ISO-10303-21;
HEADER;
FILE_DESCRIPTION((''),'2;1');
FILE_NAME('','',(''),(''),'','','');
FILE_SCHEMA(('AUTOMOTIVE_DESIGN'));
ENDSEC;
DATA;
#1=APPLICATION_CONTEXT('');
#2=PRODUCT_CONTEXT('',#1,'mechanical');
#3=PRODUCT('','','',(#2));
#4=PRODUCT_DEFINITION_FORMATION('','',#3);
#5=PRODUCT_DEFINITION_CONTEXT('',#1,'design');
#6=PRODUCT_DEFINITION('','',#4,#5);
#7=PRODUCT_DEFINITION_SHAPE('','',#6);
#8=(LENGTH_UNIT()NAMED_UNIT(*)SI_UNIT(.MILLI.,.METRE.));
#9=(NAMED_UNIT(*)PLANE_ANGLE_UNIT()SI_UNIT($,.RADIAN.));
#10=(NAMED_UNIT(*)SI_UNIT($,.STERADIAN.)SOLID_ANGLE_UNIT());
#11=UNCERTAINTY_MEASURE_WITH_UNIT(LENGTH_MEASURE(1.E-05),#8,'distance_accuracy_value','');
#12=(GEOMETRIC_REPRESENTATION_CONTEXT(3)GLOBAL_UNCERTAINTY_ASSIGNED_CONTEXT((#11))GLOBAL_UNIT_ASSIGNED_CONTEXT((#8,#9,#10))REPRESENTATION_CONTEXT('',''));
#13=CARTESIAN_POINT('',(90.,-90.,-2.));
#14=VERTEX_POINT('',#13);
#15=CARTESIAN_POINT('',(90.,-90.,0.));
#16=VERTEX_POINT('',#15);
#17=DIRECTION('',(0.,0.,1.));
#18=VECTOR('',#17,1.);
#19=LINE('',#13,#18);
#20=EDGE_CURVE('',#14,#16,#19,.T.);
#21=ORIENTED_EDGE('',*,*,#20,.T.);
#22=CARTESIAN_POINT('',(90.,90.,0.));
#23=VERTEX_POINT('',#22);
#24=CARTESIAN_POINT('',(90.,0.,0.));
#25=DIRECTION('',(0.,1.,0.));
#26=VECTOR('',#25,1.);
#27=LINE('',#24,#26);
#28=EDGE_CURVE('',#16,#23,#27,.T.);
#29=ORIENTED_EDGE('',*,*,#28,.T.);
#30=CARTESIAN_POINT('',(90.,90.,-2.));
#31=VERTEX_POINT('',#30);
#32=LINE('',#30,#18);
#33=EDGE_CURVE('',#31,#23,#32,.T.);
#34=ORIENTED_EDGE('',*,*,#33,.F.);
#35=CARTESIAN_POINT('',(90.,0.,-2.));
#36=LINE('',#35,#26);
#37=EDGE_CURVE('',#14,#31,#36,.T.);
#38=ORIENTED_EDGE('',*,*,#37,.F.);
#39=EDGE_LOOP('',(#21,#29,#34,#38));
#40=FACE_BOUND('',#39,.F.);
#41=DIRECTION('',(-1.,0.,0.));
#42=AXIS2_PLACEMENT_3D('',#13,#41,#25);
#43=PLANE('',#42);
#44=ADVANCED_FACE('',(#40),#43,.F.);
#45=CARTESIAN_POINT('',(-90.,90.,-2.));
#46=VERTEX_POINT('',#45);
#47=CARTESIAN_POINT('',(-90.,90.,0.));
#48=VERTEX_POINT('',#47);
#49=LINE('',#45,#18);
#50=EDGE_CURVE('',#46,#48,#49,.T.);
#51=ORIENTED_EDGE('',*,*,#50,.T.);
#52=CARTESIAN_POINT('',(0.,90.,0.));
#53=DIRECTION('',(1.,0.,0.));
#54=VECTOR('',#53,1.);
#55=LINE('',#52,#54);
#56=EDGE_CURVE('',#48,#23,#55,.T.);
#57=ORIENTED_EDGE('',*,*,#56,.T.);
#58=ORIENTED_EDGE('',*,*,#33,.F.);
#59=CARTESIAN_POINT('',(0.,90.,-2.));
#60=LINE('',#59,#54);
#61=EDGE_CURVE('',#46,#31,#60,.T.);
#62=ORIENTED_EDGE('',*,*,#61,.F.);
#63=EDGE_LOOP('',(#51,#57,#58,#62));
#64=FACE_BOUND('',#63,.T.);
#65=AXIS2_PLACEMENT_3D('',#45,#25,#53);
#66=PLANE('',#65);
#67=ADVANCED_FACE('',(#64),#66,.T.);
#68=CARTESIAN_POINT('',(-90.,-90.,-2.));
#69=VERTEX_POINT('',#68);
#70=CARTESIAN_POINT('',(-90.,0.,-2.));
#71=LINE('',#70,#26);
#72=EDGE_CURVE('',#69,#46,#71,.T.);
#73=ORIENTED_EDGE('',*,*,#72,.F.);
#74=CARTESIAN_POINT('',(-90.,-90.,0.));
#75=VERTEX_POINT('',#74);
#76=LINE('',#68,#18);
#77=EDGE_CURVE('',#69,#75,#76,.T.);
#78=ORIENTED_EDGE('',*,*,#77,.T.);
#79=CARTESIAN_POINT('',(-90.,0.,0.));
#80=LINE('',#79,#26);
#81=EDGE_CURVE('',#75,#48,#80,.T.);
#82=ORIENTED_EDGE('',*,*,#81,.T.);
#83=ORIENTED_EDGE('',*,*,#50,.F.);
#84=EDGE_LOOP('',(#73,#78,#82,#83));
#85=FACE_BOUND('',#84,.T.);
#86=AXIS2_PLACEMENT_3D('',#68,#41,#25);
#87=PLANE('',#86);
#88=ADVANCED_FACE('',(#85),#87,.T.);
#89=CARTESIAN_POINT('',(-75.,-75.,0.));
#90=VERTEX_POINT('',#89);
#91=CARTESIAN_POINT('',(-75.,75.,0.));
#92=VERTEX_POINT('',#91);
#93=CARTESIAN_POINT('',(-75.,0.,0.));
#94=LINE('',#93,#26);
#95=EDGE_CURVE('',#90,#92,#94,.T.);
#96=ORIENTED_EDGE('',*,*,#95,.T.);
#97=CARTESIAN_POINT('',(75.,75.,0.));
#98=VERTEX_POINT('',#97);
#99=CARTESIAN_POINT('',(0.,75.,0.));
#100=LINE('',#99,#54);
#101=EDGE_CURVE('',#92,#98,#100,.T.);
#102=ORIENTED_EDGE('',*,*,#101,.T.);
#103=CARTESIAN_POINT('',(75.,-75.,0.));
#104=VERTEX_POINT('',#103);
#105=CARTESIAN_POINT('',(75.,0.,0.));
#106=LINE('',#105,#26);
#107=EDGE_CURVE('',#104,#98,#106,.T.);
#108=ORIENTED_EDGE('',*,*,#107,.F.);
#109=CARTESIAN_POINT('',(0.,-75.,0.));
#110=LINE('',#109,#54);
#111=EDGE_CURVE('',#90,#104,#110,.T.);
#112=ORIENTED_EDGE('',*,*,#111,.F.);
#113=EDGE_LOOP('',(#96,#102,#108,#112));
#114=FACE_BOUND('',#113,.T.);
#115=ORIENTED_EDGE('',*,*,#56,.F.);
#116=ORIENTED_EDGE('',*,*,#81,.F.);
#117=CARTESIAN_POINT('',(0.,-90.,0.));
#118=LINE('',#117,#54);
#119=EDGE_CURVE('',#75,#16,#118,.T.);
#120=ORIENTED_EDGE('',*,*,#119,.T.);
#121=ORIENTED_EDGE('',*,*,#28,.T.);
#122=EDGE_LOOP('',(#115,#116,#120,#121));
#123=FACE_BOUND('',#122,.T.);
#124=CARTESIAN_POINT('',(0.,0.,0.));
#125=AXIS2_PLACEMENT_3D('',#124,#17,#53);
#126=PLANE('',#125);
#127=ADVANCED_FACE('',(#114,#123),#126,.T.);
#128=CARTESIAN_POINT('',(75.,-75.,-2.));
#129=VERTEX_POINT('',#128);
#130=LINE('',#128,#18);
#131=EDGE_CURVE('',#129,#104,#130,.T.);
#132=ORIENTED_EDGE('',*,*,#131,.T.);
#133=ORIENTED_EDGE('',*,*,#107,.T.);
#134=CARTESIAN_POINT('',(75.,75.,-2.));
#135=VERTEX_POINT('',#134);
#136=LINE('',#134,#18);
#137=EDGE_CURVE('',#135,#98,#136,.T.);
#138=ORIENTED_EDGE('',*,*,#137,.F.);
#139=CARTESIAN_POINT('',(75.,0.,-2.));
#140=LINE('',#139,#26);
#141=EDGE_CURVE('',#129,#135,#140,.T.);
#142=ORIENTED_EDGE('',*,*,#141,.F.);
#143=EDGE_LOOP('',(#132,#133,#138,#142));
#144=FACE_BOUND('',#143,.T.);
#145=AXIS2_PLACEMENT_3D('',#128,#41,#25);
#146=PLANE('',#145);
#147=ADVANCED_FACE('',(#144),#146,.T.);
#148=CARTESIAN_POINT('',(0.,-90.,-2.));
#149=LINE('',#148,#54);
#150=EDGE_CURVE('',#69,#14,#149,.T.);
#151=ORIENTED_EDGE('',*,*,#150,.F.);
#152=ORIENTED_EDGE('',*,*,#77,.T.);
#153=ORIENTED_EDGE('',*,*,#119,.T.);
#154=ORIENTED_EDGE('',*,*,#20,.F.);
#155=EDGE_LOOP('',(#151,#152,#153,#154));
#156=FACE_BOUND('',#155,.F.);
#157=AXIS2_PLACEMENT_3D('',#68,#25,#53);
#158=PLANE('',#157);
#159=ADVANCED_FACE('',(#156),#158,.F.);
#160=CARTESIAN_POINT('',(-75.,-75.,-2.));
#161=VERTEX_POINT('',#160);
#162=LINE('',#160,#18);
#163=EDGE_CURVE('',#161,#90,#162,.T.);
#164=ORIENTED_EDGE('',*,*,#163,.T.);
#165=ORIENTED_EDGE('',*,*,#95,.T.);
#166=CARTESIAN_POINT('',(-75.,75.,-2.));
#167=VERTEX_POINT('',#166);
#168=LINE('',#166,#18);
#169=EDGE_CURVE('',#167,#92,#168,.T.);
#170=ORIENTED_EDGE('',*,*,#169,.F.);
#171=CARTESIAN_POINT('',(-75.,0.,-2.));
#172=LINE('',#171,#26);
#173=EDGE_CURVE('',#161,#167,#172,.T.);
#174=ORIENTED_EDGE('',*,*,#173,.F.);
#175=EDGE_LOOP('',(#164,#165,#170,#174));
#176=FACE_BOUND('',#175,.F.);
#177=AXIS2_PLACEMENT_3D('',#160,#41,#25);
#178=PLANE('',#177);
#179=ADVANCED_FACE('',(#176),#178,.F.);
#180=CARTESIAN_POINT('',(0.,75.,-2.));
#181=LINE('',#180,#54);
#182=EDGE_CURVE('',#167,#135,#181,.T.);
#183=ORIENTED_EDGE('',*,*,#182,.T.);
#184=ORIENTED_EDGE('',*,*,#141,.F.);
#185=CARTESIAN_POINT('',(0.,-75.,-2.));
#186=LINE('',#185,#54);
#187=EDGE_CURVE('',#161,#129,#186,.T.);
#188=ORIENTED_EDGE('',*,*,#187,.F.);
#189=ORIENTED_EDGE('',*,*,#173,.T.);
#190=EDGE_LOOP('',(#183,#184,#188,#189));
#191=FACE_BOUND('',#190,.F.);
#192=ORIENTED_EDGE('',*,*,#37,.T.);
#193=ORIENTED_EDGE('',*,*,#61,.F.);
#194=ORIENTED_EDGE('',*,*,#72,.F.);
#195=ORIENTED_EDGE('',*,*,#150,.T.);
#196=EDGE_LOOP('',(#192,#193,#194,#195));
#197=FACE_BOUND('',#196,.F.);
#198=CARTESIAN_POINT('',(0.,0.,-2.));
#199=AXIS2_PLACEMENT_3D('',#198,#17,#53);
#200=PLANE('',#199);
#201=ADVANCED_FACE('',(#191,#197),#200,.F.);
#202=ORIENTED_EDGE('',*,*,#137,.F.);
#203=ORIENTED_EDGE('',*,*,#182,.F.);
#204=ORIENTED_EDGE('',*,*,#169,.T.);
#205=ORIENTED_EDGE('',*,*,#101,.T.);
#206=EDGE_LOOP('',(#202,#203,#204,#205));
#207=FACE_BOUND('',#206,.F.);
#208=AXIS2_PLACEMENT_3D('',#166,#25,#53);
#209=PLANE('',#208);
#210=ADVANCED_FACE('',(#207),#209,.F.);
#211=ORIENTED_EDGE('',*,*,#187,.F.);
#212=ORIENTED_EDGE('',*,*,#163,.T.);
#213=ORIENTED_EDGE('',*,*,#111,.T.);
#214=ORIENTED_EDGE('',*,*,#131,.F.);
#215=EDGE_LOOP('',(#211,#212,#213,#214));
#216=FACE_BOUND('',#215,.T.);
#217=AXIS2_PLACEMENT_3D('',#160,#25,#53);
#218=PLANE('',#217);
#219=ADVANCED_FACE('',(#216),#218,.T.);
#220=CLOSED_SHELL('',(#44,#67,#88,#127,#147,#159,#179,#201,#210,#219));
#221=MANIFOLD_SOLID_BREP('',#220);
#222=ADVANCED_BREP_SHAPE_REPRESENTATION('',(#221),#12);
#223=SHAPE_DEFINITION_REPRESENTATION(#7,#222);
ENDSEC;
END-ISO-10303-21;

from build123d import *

# Parameters (mm, degrees)
SKETCH_W   = 180
SKETCH_H   = 180
SKETCH_W_2 = 150
SKETCH_H_2 = 150
PAD_DEPTH  = 2


with BuildPart() as part:
    # Sketch (on DatumPlane) → Pad (new body)
    with BuildSketch(Plane.XY.offset(-2)):
        Rectangle(SKETCH_W, SKETCH_H)
        Rectangle(SKETCH_W_2, SKETCH_H_2, mode=Mode.SUBTRACT)
    extrude(amount=PAD_DEPTH)


solid = part.part
